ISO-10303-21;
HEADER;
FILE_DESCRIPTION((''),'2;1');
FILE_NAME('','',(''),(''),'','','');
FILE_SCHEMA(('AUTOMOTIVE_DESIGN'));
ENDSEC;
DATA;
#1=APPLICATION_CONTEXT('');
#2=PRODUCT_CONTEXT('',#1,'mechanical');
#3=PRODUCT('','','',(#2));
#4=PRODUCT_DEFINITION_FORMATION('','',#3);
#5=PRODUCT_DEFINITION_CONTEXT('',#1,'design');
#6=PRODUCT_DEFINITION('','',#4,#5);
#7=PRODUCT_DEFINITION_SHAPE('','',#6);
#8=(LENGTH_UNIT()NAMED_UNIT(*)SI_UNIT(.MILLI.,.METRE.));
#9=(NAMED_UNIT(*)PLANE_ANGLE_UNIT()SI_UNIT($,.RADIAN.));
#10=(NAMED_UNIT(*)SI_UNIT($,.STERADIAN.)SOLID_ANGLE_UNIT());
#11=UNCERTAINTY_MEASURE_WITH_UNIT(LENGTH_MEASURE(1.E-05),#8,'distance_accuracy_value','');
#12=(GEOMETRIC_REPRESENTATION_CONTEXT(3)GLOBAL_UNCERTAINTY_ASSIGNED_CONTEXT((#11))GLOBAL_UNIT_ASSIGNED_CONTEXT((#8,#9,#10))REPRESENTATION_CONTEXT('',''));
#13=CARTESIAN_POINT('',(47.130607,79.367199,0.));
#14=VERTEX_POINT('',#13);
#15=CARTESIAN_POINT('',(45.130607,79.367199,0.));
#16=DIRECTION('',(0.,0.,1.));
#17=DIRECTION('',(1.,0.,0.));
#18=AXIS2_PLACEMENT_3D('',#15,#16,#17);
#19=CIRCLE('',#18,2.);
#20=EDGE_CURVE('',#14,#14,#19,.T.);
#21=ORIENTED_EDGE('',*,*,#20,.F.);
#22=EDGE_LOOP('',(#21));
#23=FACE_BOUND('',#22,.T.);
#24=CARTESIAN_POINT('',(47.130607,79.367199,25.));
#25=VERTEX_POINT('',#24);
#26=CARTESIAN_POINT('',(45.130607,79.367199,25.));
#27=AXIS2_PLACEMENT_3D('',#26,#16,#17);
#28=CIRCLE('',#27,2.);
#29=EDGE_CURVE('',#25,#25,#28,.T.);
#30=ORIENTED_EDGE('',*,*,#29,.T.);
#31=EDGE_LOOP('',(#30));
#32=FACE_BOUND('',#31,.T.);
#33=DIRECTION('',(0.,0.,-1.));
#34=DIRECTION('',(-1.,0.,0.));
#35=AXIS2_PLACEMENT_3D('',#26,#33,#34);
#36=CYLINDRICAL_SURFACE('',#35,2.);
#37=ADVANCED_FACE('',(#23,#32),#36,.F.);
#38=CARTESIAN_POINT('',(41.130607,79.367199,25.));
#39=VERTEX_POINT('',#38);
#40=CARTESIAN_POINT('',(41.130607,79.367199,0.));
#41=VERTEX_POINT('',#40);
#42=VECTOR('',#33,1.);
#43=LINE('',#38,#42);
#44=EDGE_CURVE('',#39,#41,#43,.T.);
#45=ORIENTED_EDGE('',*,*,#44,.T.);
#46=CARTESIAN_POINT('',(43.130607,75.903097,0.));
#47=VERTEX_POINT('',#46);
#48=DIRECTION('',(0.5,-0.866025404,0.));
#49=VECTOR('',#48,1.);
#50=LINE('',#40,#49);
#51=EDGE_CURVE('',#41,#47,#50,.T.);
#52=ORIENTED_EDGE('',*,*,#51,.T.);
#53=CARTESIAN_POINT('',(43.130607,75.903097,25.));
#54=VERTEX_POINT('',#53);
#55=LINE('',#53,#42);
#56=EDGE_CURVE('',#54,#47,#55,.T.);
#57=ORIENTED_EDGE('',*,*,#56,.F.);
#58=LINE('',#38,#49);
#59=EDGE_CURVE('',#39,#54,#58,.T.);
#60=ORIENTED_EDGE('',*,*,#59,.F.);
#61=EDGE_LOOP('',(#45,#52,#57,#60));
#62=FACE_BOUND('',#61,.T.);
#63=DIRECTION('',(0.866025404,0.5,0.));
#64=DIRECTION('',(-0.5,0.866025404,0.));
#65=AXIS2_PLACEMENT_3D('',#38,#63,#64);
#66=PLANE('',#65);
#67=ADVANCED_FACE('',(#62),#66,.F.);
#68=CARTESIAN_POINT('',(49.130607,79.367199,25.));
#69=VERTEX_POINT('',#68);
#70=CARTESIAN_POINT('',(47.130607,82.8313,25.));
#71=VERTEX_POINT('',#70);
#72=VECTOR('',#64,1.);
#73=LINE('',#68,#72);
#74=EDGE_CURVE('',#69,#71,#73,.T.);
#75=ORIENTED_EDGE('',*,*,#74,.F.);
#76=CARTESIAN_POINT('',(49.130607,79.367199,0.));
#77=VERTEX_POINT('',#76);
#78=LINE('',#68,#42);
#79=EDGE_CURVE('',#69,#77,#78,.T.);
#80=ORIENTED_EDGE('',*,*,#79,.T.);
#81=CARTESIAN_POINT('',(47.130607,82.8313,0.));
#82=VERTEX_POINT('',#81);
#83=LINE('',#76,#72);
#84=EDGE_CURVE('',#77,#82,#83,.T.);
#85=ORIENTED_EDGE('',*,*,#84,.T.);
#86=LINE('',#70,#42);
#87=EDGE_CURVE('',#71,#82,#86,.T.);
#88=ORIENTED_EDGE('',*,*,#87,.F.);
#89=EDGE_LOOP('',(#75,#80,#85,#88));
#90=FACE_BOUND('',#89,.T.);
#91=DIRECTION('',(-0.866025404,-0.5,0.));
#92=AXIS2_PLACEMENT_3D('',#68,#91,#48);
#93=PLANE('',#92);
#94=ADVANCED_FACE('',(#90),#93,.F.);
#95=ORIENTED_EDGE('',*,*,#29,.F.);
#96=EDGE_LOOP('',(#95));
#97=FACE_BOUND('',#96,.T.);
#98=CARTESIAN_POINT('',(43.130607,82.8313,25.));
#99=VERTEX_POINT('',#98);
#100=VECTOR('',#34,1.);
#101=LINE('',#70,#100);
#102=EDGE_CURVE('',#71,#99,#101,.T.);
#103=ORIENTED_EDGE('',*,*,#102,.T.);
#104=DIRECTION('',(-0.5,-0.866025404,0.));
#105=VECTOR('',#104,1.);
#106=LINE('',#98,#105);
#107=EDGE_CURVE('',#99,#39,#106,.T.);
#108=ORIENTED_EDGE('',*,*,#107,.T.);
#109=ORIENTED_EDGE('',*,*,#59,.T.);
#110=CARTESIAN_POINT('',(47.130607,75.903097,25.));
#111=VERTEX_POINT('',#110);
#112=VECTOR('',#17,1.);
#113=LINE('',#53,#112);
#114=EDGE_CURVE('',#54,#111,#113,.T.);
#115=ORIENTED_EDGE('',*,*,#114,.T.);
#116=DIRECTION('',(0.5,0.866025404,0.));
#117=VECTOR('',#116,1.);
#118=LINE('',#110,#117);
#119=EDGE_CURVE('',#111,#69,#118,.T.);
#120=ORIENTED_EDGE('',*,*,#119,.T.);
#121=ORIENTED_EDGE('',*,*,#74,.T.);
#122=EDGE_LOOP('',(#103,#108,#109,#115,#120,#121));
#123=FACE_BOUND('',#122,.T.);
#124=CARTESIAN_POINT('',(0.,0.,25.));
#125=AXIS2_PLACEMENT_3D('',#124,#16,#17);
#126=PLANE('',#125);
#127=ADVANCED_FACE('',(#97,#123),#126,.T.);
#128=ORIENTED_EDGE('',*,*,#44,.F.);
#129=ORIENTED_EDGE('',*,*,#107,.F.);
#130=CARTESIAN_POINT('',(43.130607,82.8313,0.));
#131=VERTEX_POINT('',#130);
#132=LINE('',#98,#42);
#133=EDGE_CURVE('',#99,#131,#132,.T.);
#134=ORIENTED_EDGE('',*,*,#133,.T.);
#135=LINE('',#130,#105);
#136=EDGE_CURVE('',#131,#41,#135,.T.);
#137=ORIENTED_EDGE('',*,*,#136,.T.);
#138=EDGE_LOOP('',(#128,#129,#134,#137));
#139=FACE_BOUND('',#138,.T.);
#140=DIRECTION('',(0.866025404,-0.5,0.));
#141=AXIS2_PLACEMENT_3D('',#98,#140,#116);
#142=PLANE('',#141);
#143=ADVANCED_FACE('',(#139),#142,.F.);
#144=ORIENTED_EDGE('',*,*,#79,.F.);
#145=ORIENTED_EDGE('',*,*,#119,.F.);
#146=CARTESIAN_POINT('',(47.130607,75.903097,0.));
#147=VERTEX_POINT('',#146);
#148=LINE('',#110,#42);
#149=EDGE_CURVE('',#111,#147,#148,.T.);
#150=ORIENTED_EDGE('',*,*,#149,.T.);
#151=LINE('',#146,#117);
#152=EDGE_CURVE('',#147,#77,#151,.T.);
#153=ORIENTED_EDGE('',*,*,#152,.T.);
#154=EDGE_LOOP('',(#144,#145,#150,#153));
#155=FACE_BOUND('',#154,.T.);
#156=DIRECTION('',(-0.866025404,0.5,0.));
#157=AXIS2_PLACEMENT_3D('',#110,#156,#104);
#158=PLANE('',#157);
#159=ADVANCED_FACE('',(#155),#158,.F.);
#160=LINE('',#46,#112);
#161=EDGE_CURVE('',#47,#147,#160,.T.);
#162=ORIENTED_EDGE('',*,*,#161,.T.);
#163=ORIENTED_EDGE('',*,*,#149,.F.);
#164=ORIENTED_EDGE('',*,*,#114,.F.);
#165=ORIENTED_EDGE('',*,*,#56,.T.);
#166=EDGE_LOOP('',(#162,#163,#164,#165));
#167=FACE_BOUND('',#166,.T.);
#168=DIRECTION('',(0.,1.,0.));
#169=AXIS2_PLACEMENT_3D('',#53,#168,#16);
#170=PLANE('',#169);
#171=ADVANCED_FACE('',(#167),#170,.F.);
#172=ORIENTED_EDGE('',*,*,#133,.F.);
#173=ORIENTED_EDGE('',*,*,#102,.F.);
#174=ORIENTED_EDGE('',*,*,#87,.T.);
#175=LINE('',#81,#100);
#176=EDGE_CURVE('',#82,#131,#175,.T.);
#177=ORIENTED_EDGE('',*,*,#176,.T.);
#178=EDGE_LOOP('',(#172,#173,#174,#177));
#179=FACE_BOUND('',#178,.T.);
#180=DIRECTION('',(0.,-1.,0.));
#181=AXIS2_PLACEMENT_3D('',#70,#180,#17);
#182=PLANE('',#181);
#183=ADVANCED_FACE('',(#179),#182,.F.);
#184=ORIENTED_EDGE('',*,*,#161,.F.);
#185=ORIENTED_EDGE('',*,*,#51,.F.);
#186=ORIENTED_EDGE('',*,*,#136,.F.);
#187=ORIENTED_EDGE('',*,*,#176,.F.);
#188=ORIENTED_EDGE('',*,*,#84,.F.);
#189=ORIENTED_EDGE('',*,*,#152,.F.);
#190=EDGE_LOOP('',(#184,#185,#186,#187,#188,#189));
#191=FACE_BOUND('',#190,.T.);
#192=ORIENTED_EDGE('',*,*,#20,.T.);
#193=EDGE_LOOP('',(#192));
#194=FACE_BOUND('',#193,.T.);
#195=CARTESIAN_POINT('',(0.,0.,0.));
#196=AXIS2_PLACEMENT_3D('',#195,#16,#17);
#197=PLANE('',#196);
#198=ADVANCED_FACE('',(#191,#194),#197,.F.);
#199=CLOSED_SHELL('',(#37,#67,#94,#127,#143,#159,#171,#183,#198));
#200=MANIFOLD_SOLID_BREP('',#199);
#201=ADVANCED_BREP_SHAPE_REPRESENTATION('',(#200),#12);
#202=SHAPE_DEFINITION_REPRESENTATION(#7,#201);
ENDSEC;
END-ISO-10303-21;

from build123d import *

# Parameters (mm, degrees)
SKETCH_1_R      = 2
EXTRUDE_1_DEPTH = 25


with BuildPart() as part:
    # 草图1 → 凸台-拉伸1 (new body)
    with BuildSketch(Plane.XY):
        Polygon((49.130607445, 79.367198797), (47.130607445, 82.831300412), (43.130607445, 82.831300412), (41.130607445, 79.367198797), (43.130607445, 75.903097182), (47.130607445, 75.903097182), align=None)
        with Locations((45.130607445, 79.367198797)):
            Circle(SKETCH_1_R, mode=Mode.SUBTRACT)
    extrude(amount=EXTRUDE_1_DEPTH)


solid = part.part
